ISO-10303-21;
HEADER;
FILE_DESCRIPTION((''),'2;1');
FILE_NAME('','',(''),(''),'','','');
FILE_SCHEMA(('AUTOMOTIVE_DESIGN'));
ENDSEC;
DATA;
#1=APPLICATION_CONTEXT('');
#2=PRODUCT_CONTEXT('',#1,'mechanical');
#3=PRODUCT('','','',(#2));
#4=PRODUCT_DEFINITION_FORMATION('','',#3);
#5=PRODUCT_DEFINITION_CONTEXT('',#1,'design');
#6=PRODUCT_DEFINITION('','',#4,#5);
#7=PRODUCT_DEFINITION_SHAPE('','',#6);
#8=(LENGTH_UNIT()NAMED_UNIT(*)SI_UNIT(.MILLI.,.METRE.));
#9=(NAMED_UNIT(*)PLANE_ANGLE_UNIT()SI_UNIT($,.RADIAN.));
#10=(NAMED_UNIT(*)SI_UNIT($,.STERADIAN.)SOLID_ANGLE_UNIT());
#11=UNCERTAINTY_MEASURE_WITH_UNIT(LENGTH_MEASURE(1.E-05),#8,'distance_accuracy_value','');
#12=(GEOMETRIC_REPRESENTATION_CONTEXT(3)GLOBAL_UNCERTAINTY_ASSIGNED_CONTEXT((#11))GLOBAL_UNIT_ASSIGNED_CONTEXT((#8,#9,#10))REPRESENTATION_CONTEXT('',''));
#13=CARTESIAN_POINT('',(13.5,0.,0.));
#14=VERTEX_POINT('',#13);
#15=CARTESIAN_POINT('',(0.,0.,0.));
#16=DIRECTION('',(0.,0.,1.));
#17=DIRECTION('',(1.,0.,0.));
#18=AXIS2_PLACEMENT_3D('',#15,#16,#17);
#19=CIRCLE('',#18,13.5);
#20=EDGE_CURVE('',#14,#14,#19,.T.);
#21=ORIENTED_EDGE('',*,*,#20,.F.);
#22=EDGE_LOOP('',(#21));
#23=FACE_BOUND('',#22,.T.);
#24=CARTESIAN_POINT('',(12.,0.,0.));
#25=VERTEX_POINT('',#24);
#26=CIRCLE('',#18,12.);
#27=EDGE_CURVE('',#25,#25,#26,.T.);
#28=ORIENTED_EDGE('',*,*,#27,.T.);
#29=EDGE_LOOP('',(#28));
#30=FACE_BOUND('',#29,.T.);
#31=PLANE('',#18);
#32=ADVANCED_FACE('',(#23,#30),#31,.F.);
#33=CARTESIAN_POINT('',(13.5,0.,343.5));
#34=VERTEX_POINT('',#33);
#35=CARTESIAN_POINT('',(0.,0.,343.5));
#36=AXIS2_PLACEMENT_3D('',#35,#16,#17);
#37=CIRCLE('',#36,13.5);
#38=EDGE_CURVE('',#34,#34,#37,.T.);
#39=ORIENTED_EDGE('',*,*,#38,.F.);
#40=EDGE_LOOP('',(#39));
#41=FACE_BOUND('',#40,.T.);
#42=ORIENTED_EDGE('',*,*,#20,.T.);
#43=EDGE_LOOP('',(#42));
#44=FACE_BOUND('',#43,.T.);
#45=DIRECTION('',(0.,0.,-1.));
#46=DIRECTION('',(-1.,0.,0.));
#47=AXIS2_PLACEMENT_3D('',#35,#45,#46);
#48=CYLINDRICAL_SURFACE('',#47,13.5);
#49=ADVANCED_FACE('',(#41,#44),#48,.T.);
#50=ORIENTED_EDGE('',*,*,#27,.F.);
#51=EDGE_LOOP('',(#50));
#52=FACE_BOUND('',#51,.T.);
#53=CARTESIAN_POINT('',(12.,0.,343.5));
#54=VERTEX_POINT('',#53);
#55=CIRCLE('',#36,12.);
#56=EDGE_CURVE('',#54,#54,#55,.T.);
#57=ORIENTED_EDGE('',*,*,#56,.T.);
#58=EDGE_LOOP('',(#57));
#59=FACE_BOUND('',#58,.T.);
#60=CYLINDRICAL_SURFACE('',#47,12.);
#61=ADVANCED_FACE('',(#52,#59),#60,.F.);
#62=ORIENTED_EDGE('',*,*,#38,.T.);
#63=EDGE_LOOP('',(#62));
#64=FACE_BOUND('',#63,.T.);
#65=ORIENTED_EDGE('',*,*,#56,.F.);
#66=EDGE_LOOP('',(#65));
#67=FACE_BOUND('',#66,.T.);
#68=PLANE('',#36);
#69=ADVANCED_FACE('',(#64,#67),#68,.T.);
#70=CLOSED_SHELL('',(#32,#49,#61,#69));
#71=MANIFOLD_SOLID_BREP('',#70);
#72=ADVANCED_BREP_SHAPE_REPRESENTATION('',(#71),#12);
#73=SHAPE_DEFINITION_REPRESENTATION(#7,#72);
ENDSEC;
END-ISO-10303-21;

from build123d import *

# Parameters (mm, degrees)
SZKIC1_R                    = 13.5
SZKIC1_R_2                  = 12
DODANIE_WYCI_GNI_CIE1_DEPTH = 343.5


with BuildPart() as part:
    # Szkic1 → Dodanie-wyciągnięcie1 (new body)
    with BuildSketch(Plane.XY):
        Circle(SZKIC1_R)
        Circle(SZKIC1_R_2, mode=Mode.SUBTRACT)
    extrude(amount=DODANIE_WYCI_GNI_CIE1_DEPTH)


solid = part.part
